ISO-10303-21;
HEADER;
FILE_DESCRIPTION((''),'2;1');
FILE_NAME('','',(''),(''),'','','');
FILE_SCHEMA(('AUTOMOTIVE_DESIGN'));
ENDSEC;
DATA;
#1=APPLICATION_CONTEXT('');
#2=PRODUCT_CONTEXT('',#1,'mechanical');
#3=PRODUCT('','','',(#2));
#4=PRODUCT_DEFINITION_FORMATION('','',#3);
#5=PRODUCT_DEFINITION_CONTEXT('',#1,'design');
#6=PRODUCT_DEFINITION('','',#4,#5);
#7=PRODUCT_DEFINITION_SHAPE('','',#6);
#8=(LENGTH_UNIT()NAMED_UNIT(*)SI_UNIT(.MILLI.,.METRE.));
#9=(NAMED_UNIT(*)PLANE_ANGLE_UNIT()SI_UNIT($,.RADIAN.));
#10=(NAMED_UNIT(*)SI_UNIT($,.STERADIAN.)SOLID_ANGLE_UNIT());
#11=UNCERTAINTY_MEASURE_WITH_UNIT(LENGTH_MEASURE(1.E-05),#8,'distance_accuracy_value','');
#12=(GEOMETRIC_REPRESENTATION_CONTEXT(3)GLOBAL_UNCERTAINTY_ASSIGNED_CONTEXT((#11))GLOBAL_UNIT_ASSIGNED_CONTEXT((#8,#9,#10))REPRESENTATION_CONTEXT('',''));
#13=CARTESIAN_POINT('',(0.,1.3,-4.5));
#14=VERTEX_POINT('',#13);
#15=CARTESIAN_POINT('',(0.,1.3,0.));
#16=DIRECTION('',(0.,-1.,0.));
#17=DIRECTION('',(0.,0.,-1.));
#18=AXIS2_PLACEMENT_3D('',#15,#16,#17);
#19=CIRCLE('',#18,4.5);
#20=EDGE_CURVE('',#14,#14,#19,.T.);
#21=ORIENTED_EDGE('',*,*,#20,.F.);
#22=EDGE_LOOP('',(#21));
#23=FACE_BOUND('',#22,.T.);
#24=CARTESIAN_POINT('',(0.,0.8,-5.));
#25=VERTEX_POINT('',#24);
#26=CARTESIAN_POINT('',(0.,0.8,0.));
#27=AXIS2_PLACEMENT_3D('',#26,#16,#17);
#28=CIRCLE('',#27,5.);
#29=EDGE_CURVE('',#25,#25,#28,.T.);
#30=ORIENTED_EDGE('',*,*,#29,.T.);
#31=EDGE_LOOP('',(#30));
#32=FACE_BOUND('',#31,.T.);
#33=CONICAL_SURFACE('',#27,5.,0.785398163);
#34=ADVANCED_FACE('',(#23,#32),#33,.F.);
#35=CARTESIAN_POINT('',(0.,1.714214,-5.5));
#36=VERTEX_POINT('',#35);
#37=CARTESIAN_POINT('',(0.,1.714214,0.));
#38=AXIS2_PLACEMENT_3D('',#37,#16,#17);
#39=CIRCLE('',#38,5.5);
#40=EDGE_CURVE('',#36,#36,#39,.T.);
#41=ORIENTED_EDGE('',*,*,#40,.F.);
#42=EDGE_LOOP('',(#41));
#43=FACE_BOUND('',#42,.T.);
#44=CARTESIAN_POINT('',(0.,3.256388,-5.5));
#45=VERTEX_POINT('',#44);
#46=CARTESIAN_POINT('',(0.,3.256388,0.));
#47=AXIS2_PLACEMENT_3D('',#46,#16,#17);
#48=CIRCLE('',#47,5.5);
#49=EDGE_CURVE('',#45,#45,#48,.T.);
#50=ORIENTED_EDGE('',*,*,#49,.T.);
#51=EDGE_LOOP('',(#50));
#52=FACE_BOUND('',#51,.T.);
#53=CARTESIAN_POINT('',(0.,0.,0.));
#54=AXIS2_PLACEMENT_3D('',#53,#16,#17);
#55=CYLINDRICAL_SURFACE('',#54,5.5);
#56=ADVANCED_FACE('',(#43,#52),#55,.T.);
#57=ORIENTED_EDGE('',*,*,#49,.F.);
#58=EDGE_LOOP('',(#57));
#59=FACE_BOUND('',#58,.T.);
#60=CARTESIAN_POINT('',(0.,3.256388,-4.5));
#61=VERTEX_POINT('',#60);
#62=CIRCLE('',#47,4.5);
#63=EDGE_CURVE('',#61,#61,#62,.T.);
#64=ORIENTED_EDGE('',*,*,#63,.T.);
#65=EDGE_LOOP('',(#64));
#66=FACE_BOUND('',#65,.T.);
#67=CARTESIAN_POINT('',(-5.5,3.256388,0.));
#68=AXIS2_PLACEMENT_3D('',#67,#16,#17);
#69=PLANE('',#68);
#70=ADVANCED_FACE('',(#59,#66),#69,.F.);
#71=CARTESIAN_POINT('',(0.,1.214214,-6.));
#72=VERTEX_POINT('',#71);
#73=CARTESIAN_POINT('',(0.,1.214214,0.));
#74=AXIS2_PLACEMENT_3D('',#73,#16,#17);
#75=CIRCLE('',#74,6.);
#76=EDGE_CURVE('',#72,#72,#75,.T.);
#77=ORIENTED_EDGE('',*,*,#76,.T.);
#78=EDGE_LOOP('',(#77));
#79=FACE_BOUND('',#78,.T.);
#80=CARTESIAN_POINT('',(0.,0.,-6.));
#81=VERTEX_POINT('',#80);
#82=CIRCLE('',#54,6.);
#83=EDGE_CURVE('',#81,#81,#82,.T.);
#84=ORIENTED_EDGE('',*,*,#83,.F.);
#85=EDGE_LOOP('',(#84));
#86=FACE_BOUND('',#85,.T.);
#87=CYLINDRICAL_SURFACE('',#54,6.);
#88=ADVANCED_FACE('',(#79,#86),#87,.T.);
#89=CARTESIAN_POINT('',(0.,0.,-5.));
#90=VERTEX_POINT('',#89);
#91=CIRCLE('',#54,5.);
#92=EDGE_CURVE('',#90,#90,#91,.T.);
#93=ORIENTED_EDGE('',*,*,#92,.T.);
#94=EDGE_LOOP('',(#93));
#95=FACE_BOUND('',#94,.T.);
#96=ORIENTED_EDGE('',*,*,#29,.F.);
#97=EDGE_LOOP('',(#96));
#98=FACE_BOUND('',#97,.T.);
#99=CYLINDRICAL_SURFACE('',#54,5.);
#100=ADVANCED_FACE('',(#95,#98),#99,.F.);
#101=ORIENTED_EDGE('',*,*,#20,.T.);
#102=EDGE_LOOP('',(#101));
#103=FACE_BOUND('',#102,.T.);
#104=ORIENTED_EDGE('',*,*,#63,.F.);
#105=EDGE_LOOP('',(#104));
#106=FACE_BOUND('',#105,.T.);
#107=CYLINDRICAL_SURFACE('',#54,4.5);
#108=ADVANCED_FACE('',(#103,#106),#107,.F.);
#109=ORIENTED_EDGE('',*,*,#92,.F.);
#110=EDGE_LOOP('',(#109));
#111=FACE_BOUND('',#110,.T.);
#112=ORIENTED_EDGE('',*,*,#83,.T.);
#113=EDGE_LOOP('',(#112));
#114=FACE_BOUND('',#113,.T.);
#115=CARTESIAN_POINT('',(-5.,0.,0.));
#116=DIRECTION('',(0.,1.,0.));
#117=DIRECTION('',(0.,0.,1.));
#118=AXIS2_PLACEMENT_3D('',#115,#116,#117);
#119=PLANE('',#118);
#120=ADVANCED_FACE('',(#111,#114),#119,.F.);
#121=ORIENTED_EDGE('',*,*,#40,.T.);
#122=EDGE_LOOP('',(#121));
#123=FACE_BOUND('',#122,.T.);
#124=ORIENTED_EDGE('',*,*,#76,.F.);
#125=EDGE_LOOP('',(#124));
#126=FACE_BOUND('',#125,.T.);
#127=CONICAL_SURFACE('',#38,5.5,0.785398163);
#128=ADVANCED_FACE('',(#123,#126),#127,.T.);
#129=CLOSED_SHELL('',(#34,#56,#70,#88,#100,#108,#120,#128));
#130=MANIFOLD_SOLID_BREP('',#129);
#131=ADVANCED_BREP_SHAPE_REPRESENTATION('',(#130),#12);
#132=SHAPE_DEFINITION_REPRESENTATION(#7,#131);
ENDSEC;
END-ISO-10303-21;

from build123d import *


with BuildPart() as part:
    # Sketch3 → Revolve1 (revolve)
    with BuildSketch(Plane.XY, mode=Mode.PRIVATE) as revolve1_sk:
        Polygon((-6, 0), (-6, 1.214213562), (-5.5, 1.714213562), (-5.5, 3.256387939), (-4.5, 3.256387939), (-4.5, 1.3), (-5, 0.8), (-5, 0), align=None)
    revolve(revolve1_sk.sketch.rotate(Axis((0, 0, 0), (0, 1, 0)), 270), axis=Axis((0, 0, 0), (0, 1, 0)))


solid = part.part
